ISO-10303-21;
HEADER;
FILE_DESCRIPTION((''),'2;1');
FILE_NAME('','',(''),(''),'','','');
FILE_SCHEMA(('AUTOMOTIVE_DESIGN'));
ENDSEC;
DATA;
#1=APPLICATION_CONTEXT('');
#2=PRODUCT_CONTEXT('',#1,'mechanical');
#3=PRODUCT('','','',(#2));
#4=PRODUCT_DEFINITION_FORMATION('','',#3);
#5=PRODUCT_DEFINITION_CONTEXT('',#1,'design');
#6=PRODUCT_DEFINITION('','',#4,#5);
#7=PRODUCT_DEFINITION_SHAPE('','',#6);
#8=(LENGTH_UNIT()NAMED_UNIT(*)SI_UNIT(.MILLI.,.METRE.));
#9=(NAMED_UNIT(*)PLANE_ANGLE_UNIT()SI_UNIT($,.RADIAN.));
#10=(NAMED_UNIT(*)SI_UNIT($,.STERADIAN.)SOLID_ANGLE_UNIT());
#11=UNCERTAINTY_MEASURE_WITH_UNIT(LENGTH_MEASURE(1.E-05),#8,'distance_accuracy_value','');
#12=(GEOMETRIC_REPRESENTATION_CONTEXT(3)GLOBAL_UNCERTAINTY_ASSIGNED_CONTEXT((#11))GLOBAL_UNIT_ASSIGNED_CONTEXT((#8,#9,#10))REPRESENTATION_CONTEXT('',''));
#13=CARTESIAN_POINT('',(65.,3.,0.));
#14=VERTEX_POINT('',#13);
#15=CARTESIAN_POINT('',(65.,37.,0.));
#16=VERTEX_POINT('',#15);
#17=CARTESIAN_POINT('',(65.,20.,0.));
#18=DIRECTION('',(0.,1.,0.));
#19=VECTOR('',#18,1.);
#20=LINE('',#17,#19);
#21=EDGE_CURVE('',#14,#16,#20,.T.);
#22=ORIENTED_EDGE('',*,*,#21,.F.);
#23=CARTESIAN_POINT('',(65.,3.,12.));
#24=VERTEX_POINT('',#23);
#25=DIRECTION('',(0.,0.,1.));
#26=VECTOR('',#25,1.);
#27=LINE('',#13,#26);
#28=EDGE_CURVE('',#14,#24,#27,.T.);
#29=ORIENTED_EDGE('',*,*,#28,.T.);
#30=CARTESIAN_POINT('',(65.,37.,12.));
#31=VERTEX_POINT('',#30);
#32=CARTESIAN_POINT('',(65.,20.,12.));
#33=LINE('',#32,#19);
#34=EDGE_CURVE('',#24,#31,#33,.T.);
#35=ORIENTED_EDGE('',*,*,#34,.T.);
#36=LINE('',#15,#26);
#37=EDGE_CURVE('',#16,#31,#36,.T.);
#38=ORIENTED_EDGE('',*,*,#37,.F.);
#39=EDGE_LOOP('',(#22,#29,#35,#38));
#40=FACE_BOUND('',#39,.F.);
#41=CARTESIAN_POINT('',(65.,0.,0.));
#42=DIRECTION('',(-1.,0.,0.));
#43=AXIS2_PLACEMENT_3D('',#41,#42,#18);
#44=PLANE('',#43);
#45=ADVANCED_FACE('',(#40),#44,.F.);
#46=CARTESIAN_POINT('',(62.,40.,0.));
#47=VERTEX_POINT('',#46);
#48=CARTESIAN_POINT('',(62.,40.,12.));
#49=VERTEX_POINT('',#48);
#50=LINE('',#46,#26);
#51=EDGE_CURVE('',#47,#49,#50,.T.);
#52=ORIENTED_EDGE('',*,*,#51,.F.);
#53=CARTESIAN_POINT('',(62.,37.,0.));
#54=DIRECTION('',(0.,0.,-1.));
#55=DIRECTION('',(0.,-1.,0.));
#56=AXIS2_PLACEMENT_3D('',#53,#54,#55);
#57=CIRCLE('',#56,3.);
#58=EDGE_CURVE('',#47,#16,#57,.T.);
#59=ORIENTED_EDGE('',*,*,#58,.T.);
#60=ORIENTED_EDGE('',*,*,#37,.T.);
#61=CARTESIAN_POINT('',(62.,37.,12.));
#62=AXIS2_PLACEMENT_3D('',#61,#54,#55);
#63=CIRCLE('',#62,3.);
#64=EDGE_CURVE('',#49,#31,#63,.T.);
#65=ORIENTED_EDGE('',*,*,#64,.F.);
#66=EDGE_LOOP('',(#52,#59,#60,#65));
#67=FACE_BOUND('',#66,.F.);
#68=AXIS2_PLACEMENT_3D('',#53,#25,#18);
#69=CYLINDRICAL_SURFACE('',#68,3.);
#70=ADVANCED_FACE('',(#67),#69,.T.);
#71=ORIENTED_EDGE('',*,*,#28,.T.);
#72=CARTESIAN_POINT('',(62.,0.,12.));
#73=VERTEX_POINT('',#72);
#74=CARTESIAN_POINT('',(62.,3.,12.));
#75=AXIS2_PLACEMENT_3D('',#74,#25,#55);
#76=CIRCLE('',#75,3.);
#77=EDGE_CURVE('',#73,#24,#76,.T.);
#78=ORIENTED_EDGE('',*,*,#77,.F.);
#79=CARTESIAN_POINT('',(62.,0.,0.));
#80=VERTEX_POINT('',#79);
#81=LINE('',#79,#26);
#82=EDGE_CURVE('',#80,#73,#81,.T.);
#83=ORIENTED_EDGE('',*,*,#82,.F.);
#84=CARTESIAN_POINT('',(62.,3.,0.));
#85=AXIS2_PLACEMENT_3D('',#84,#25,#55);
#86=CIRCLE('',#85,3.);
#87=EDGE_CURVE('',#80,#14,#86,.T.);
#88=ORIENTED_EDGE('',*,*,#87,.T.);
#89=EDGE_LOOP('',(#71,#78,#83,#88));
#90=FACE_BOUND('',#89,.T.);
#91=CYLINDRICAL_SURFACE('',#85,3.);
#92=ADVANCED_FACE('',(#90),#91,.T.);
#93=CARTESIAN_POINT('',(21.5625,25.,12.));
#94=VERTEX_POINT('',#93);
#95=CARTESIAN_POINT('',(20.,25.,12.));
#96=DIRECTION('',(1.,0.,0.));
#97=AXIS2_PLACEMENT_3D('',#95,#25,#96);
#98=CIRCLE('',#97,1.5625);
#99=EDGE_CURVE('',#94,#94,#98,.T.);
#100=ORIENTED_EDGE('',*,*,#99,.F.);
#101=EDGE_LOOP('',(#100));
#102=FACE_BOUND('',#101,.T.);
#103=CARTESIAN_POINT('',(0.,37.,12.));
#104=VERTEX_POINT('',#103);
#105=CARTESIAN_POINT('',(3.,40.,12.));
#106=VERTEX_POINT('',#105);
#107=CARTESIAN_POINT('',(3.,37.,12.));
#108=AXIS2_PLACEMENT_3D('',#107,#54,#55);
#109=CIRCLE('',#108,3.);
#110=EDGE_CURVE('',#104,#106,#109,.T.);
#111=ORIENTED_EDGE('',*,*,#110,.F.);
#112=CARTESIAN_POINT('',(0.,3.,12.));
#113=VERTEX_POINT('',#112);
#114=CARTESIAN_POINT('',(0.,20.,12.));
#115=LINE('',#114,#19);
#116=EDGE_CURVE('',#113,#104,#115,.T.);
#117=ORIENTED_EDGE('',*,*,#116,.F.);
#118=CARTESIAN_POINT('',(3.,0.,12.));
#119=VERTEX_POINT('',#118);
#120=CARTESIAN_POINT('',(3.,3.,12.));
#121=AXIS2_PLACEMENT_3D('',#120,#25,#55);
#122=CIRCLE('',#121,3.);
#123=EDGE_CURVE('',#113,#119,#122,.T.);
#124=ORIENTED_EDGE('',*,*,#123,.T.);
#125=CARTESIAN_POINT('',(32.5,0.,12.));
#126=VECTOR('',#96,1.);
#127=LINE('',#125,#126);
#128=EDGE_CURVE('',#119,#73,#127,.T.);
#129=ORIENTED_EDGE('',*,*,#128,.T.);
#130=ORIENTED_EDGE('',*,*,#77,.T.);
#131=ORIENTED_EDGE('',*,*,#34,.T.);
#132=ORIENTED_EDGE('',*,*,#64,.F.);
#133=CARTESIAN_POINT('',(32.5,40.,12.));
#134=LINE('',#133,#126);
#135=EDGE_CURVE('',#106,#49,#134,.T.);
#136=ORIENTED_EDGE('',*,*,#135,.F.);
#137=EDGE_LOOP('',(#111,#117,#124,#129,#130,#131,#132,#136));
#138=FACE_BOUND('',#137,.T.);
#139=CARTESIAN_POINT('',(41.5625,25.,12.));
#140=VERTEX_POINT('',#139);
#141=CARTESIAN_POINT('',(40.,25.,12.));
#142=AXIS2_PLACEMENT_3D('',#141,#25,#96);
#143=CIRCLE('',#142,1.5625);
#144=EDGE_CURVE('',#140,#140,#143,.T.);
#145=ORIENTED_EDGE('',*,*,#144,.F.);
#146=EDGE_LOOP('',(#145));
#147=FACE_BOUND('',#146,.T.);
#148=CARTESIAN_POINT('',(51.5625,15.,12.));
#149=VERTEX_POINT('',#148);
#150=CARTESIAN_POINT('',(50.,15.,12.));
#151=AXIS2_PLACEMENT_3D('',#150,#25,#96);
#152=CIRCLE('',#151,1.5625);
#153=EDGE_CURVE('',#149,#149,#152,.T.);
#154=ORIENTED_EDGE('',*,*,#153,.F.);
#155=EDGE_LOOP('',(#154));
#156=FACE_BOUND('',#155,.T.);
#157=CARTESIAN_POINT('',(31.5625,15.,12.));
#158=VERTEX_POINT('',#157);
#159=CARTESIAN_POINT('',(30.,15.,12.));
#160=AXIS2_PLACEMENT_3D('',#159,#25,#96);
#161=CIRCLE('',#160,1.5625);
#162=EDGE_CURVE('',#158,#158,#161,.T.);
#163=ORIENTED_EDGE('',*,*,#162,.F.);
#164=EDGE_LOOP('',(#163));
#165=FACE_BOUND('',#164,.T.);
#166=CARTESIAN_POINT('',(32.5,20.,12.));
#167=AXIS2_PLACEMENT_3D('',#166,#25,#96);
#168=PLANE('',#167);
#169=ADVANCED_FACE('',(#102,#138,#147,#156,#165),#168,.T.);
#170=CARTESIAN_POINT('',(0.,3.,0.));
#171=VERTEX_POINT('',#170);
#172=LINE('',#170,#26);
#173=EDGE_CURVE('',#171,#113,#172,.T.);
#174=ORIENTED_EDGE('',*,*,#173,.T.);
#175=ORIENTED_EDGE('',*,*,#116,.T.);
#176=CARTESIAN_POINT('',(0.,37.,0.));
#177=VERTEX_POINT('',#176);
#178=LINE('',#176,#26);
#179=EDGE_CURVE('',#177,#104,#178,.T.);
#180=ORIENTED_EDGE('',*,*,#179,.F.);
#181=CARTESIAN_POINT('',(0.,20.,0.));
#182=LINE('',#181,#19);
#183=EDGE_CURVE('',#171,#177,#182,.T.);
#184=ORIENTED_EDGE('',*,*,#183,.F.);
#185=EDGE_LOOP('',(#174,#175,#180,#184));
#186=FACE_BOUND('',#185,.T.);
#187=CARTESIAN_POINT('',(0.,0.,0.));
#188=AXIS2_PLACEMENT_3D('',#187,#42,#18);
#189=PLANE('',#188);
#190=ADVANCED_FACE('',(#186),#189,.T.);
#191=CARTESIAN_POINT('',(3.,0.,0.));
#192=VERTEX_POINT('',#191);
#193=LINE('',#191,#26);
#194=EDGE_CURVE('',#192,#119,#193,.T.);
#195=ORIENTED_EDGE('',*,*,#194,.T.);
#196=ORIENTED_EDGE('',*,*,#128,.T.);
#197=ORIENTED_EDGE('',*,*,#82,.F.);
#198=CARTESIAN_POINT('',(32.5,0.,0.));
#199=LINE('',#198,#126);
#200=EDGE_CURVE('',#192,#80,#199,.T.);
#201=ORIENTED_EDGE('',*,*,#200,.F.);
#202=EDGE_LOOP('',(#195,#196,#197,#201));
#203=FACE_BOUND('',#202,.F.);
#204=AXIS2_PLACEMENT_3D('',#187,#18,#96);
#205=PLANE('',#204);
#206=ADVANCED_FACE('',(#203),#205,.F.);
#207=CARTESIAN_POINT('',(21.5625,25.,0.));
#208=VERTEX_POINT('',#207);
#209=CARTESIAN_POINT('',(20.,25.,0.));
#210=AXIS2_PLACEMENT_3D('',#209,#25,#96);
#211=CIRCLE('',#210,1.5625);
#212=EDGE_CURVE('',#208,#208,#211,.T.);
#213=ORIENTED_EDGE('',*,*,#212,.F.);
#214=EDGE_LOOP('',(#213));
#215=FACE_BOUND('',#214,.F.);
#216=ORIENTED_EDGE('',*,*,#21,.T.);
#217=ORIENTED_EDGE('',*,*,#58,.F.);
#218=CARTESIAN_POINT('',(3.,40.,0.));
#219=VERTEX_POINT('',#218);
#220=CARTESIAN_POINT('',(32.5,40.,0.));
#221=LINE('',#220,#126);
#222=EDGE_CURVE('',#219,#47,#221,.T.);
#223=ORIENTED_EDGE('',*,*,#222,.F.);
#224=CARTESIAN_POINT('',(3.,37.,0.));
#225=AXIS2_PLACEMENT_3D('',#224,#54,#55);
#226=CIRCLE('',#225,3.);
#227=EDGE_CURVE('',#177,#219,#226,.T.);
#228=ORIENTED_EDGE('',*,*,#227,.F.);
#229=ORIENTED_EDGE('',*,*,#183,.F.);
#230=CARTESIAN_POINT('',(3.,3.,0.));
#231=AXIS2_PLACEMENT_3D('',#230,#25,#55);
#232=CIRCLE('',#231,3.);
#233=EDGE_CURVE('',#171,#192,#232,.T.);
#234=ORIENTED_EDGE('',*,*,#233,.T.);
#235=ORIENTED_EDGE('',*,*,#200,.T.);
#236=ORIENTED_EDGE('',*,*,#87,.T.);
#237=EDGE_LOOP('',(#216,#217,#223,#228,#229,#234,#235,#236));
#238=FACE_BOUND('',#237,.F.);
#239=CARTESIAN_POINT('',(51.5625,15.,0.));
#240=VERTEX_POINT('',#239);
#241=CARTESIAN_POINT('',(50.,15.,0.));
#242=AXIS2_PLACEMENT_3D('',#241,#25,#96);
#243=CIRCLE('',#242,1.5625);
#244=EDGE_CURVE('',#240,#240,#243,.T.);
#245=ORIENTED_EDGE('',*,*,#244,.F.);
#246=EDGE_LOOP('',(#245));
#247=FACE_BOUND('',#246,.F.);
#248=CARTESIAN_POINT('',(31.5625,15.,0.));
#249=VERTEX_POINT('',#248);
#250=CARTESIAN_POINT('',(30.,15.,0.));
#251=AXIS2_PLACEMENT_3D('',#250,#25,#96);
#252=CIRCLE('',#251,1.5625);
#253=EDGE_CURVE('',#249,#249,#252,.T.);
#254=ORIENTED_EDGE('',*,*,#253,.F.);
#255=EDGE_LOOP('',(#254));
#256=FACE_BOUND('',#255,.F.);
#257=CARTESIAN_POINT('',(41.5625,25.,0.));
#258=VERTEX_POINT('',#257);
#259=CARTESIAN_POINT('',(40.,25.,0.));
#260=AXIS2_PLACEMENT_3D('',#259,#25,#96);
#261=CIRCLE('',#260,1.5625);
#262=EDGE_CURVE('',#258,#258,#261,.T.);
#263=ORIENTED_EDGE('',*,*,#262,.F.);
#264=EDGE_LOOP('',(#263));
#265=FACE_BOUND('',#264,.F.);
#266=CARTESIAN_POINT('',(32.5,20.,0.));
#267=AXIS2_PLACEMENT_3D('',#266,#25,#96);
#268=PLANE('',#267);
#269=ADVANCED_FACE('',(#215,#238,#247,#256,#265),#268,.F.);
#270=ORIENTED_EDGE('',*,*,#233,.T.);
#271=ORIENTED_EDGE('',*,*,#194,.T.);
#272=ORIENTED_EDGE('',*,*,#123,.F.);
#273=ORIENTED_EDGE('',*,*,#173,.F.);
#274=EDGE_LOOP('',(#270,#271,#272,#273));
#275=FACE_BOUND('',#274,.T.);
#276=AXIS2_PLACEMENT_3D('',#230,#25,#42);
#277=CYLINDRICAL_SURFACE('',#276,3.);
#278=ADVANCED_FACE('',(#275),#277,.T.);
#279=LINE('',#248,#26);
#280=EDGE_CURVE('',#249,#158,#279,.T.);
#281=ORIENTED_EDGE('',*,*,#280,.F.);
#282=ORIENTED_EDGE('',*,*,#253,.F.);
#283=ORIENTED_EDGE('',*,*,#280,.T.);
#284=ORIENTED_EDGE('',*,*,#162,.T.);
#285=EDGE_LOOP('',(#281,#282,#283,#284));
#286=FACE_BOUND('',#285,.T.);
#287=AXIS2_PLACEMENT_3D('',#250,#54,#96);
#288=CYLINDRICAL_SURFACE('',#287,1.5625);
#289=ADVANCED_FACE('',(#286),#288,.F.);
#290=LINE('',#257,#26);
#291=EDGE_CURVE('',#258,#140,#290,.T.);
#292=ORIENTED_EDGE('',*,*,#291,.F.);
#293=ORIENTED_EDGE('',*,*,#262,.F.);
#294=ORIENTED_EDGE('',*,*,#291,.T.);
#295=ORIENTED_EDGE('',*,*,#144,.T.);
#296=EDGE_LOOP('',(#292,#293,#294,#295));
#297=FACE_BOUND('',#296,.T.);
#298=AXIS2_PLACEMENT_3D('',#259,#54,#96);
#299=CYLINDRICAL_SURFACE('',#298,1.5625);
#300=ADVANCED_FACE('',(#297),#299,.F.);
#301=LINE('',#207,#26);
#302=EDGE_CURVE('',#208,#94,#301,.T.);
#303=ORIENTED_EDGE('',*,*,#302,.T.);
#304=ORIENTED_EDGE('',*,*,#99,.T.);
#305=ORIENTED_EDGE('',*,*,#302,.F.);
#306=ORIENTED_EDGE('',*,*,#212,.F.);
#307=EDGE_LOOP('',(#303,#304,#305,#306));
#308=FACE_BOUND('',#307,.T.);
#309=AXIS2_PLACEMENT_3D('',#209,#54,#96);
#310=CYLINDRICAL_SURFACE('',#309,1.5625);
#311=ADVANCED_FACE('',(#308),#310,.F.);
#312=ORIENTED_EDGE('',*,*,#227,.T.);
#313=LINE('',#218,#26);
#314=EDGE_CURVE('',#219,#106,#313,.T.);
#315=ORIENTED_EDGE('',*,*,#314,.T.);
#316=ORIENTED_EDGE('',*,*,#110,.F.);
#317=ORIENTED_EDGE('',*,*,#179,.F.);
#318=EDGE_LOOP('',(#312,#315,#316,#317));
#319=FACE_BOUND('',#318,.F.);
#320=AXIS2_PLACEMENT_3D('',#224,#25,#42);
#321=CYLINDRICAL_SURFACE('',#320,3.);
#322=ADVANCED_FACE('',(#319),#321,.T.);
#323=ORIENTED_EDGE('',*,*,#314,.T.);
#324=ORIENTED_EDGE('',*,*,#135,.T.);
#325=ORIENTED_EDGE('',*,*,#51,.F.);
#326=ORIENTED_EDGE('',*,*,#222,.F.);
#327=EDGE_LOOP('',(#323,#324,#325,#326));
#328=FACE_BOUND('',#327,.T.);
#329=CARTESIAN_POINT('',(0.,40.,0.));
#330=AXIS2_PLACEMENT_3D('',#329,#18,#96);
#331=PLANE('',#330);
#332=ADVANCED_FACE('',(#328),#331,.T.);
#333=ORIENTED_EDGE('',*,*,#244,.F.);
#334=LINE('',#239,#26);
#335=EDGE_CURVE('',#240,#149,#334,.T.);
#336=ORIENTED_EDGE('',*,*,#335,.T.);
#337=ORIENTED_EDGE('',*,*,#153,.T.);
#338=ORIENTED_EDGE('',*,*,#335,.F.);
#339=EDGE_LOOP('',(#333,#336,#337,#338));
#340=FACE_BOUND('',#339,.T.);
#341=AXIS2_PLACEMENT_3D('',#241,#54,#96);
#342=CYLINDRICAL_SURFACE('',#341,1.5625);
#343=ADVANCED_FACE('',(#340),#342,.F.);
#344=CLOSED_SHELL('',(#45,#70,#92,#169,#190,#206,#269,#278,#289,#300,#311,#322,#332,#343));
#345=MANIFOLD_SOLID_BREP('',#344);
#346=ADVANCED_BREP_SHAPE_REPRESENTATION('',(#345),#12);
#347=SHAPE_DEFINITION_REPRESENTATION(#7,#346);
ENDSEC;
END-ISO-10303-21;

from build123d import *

# Parameters (mm, degrees)
SKETCH_W  = 65
SKETCH_H  = 40
SKETCH_R  = 1.5625
PAD_DEPTH = 12
FILLET_R  = 3


with BuildPart() as part:
    # Sketch → Pad (new body)
    with BuildSketch(Plane.XY):
        with Locations((32.5, 20)):
            Rectangle(SKETCH_W, SKETCH_H)
        with Locations((20, 25)):
            Circle(SKETCH_R, mode=Mode.SUBTRACT)
        with Locations((40, 25)):
            Circle(SKETCH_R, mode=Mode.SUBTRACT)
        with Locations((30, 15)):
            Circle(SKETCH_R, mode=Mode.SUBTRACT)
        with Locations((50, 15)):
            Circle(SKETCH_R, mode=Mode.SUBTRACT)
    extrude(amount=PAD_DEPTH)

    # Fillet
    fillet_edges = [part.edges().sort_by_distance(p)[0] for p in [
        (65, 40, 6),
        (0, 40, 6),
        (0, 0, 6),
        (65, 0, 6),
    ]]
    fillet(fillet_edges, radius=FILLET_R)


solid = part.part
